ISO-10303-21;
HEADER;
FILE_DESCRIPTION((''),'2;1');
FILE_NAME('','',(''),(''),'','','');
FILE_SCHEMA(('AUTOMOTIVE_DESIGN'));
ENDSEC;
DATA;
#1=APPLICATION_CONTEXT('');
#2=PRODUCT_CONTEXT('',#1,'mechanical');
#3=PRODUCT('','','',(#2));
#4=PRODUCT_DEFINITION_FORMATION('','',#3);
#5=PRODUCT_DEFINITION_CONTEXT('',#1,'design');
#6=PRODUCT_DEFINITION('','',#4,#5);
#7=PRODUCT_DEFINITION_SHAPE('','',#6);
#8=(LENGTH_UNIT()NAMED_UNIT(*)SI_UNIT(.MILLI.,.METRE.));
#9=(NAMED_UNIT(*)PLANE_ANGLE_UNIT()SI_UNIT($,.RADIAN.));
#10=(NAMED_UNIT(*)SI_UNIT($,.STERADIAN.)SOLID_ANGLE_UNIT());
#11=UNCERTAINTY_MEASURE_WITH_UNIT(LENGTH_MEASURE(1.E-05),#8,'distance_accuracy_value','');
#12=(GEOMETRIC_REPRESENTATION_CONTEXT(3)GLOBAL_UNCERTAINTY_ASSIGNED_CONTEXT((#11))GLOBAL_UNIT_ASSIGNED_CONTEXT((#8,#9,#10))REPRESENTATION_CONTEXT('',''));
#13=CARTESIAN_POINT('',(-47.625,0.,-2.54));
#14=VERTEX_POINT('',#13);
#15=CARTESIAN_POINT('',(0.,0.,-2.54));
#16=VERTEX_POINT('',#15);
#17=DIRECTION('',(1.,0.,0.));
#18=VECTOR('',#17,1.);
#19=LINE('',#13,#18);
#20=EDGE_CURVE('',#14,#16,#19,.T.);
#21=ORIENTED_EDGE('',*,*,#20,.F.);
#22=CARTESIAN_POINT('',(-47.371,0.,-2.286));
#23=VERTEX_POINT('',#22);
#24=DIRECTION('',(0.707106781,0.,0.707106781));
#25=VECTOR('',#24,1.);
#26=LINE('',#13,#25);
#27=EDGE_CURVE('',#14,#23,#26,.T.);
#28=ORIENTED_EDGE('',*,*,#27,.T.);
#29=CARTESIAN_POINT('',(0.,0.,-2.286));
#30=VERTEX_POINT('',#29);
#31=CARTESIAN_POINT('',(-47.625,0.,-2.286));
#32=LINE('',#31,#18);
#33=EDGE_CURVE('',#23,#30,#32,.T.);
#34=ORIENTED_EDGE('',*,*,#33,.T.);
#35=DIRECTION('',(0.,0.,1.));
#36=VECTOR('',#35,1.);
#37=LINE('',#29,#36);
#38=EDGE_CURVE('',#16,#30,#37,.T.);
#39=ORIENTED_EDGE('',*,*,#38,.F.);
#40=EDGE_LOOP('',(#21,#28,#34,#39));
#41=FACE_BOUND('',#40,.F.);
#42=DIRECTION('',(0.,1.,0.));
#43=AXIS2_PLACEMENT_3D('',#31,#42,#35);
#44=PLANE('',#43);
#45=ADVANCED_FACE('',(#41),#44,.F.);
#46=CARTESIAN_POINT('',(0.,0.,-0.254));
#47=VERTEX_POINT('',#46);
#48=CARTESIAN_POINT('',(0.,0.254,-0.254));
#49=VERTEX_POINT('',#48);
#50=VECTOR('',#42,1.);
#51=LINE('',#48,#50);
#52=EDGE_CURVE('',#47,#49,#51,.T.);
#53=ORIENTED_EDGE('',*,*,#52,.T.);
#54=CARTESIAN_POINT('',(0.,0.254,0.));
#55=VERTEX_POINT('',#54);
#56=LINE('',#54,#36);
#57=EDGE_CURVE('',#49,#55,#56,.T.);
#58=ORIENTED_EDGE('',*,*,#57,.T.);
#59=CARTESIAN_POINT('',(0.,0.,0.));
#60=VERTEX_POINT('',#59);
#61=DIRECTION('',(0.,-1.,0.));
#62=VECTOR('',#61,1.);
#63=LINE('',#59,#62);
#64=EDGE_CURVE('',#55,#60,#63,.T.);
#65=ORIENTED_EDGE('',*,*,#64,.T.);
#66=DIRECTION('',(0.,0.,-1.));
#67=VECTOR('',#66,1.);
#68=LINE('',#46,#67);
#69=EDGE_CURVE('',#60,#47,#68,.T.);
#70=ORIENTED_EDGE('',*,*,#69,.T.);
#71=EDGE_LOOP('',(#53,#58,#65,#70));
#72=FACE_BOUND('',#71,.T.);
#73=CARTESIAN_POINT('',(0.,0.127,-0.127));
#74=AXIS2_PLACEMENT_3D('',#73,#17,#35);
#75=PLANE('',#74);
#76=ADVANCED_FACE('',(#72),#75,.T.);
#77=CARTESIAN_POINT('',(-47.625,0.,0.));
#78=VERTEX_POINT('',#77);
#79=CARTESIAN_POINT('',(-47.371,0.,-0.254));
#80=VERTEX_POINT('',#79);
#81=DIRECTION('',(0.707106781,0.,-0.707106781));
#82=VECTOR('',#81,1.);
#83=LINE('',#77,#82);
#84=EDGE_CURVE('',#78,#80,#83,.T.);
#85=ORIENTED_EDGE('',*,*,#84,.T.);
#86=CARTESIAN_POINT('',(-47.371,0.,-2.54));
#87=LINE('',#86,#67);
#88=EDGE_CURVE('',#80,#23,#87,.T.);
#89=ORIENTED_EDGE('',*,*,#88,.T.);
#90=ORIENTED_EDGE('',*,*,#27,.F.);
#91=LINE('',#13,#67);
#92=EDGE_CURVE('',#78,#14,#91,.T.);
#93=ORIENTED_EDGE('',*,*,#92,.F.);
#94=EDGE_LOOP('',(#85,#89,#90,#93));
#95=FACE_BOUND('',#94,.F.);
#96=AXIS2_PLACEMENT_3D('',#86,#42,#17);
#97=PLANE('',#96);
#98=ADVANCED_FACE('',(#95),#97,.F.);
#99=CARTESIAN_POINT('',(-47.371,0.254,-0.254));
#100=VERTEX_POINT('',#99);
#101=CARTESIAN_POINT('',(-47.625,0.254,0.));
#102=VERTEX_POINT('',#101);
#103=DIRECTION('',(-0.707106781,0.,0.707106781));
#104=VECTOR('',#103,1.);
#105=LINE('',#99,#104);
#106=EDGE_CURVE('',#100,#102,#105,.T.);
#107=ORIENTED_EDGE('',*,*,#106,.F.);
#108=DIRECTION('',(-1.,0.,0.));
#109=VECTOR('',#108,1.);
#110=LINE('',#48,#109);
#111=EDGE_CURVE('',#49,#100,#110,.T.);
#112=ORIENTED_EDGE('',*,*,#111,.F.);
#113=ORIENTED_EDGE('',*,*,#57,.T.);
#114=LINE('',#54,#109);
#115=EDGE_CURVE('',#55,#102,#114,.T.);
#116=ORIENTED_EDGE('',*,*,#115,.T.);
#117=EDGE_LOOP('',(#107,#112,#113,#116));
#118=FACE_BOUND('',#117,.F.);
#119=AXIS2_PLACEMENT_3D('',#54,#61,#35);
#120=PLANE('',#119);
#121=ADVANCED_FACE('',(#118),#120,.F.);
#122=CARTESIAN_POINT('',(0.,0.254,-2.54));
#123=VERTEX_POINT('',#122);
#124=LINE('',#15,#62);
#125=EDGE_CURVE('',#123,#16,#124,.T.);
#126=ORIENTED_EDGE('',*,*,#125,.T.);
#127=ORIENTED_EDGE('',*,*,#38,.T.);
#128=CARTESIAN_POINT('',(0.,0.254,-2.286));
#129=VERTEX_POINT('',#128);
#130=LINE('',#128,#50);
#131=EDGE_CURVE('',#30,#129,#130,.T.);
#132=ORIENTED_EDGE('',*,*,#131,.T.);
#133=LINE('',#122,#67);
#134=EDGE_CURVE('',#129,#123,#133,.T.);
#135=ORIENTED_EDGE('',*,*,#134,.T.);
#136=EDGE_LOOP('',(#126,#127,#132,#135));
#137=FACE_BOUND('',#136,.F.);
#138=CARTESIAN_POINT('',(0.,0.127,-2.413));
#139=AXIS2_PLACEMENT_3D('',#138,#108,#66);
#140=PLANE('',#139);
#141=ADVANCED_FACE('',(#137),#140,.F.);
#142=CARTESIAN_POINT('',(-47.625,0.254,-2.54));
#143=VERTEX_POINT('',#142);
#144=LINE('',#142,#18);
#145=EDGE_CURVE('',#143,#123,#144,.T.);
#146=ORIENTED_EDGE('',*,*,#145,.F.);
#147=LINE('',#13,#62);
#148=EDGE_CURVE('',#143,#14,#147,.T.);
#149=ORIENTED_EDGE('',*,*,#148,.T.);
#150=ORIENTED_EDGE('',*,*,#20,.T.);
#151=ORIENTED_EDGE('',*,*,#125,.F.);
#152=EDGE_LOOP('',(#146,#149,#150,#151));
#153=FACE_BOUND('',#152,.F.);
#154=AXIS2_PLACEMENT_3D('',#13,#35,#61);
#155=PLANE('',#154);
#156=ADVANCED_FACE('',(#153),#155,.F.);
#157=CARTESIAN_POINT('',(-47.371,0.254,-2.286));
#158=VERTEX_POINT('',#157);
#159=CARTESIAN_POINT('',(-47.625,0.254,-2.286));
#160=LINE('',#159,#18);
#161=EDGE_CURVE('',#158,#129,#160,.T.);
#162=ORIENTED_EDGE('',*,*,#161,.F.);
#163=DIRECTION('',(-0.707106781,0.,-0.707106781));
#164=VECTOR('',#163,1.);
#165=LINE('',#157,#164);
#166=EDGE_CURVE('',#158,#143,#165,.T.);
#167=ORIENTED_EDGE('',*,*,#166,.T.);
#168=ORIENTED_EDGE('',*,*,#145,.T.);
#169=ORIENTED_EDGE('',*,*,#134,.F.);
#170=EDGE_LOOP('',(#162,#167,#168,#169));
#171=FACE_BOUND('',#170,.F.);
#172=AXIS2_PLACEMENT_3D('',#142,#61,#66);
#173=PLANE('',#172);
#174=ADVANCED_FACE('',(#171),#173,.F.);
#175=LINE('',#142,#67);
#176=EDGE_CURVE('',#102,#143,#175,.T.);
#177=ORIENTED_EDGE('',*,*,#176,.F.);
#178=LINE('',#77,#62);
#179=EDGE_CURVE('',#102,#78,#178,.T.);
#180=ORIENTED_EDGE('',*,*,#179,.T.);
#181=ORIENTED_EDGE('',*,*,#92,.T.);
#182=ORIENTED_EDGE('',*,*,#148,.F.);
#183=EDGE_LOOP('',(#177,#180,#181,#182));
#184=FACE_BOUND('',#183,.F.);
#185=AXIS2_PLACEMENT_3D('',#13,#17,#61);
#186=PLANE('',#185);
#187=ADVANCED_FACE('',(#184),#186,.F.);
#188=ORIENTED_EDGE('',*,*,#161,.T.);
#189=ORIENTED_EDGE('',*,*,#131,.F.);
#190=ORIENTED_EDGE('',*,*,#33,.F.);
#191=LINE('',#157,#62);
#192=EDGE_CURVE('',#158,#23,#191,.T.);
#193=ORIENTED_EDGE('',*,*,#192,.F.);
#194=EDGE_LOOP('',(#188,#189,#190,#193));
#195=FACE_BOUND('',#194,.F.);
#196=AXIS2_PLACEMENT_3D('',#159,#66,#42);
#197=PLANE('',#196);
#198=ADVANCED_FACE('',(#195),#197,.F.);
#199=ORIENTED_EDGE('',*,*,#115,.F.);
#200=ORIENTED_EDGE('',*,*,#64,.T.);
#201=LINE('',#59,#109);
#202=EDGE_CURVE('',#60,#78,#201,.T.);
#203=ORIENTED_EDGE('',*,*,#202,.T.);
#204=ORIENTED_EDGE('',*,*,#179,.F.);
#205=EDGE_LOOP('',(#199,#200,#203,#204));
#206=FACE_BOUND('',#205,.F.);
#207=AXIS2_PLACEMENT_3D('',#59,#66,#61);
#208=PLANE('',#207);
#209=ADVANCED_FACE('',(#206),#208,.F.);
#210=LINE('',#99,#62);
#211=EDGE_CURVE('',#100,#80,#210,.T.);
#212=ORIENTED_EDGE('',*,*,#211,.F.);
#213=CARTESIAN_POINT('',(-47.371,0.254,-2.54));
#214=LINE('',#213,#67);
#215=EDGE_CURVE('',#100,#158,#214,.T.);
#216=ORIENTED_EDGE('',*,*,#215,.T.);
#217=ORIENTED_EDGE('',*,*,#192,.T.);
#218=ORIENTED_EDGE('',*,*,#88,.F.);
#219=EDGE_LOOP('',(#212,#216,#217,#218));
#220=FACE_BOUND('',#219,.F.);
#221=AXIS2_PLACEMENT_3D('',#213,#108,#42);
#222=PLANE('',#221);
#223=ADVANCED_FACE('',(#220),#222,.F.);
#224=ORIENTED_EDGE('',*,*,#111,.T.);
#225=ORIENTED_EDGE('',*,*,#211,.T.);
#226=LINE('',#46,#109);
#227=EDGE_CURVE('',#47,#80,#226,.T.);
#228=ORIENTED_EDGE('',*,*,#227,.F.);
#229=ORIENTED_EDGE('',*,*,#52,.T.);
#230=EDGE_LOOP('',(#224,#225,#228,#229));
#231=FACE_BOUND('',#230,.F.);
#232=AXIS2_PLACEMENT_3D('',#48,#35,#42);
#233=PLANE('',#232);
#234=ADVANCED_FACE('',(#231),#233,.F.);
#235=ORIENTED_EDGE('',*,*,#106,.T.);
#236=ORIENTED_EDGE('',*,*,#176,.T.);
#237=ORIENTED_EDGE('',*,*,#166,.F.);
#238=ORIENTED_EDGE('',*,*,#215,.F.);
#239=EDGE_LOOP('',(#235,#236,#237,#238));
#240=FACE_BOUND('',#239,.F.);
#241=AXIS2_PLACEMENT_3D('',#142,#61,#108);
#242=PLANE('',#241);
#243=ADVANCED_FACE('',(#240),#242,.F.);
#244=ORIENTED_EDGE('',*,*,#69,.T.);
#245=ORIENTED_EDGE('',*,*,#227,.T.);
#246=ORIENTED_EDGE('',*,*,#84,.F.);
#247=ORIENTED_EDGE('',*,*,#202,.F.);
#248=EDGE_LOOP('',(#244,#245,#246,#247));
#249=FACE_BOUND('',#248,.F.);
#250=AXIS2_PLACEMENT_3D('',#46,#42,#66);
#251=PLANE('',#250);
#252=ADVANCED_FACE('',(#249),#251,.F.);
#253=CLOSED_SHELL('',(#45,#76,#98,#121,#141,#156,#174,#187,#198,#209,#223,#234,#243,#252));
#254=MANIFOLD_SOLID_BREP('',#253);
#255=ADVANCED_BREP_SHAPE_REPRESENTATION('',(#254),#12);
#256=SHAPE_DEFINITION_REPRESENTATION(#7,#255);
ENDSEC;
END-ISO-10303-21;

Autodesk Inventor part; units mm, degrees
ref_plane "XZ Plane" through (0, 0, 0) normal (0, 1, 0) x (-1, 0, 0)
sketch "Sketch1" plane through (0, 0, 0) normal (0, 1, 0) x (-1, 0, 0)
  line L0 (0, 0) -> (47.625, 0)
  line L1 (47.625, -2.54) -> (0, -2.54)
  line L2 (47.625, -2.54) -> (47.625, 0)
  dimension "d69" = 47.625
  dimension "d70" = 47.625
  dimension "d89" = 2.54
  dimension "d90" = 0
  dimension "d91" = 0
  dimension "d92" = 0
sketch "Sketch2" plane through (0, 0, 0) normal (1, 0, 0) x (0, 1, 0)
  line L0 (0, 0) -> (0.254, 0)
  line L1 (0.254, 0) -> (0.254, -0.254)
  line L2 (0.254, -0.254) -> (0, -0.254)
  line L3 (0, -0.254) -> (0, 0)
  dimension "d98" = 0.254
  dimension "d99" = 0.254
sweep "Sweep1" add profiles "Sketch2" path "Sketch1"
ref_plane "Work Plane1" through (6.35, 0, 0) normal (1, 0, 0) x (0, 1, 0)
ref_plane "Work Plane2" through (0, 0, -6.35) normal (0, 0, 1) x (1, 0, 0)
ref_plane "Work Plane4" through (0, 0, -2.9845) normal (0, 0, 1) x (1, 0, 0)
properties part number "abs_2p27" material "Silver"
